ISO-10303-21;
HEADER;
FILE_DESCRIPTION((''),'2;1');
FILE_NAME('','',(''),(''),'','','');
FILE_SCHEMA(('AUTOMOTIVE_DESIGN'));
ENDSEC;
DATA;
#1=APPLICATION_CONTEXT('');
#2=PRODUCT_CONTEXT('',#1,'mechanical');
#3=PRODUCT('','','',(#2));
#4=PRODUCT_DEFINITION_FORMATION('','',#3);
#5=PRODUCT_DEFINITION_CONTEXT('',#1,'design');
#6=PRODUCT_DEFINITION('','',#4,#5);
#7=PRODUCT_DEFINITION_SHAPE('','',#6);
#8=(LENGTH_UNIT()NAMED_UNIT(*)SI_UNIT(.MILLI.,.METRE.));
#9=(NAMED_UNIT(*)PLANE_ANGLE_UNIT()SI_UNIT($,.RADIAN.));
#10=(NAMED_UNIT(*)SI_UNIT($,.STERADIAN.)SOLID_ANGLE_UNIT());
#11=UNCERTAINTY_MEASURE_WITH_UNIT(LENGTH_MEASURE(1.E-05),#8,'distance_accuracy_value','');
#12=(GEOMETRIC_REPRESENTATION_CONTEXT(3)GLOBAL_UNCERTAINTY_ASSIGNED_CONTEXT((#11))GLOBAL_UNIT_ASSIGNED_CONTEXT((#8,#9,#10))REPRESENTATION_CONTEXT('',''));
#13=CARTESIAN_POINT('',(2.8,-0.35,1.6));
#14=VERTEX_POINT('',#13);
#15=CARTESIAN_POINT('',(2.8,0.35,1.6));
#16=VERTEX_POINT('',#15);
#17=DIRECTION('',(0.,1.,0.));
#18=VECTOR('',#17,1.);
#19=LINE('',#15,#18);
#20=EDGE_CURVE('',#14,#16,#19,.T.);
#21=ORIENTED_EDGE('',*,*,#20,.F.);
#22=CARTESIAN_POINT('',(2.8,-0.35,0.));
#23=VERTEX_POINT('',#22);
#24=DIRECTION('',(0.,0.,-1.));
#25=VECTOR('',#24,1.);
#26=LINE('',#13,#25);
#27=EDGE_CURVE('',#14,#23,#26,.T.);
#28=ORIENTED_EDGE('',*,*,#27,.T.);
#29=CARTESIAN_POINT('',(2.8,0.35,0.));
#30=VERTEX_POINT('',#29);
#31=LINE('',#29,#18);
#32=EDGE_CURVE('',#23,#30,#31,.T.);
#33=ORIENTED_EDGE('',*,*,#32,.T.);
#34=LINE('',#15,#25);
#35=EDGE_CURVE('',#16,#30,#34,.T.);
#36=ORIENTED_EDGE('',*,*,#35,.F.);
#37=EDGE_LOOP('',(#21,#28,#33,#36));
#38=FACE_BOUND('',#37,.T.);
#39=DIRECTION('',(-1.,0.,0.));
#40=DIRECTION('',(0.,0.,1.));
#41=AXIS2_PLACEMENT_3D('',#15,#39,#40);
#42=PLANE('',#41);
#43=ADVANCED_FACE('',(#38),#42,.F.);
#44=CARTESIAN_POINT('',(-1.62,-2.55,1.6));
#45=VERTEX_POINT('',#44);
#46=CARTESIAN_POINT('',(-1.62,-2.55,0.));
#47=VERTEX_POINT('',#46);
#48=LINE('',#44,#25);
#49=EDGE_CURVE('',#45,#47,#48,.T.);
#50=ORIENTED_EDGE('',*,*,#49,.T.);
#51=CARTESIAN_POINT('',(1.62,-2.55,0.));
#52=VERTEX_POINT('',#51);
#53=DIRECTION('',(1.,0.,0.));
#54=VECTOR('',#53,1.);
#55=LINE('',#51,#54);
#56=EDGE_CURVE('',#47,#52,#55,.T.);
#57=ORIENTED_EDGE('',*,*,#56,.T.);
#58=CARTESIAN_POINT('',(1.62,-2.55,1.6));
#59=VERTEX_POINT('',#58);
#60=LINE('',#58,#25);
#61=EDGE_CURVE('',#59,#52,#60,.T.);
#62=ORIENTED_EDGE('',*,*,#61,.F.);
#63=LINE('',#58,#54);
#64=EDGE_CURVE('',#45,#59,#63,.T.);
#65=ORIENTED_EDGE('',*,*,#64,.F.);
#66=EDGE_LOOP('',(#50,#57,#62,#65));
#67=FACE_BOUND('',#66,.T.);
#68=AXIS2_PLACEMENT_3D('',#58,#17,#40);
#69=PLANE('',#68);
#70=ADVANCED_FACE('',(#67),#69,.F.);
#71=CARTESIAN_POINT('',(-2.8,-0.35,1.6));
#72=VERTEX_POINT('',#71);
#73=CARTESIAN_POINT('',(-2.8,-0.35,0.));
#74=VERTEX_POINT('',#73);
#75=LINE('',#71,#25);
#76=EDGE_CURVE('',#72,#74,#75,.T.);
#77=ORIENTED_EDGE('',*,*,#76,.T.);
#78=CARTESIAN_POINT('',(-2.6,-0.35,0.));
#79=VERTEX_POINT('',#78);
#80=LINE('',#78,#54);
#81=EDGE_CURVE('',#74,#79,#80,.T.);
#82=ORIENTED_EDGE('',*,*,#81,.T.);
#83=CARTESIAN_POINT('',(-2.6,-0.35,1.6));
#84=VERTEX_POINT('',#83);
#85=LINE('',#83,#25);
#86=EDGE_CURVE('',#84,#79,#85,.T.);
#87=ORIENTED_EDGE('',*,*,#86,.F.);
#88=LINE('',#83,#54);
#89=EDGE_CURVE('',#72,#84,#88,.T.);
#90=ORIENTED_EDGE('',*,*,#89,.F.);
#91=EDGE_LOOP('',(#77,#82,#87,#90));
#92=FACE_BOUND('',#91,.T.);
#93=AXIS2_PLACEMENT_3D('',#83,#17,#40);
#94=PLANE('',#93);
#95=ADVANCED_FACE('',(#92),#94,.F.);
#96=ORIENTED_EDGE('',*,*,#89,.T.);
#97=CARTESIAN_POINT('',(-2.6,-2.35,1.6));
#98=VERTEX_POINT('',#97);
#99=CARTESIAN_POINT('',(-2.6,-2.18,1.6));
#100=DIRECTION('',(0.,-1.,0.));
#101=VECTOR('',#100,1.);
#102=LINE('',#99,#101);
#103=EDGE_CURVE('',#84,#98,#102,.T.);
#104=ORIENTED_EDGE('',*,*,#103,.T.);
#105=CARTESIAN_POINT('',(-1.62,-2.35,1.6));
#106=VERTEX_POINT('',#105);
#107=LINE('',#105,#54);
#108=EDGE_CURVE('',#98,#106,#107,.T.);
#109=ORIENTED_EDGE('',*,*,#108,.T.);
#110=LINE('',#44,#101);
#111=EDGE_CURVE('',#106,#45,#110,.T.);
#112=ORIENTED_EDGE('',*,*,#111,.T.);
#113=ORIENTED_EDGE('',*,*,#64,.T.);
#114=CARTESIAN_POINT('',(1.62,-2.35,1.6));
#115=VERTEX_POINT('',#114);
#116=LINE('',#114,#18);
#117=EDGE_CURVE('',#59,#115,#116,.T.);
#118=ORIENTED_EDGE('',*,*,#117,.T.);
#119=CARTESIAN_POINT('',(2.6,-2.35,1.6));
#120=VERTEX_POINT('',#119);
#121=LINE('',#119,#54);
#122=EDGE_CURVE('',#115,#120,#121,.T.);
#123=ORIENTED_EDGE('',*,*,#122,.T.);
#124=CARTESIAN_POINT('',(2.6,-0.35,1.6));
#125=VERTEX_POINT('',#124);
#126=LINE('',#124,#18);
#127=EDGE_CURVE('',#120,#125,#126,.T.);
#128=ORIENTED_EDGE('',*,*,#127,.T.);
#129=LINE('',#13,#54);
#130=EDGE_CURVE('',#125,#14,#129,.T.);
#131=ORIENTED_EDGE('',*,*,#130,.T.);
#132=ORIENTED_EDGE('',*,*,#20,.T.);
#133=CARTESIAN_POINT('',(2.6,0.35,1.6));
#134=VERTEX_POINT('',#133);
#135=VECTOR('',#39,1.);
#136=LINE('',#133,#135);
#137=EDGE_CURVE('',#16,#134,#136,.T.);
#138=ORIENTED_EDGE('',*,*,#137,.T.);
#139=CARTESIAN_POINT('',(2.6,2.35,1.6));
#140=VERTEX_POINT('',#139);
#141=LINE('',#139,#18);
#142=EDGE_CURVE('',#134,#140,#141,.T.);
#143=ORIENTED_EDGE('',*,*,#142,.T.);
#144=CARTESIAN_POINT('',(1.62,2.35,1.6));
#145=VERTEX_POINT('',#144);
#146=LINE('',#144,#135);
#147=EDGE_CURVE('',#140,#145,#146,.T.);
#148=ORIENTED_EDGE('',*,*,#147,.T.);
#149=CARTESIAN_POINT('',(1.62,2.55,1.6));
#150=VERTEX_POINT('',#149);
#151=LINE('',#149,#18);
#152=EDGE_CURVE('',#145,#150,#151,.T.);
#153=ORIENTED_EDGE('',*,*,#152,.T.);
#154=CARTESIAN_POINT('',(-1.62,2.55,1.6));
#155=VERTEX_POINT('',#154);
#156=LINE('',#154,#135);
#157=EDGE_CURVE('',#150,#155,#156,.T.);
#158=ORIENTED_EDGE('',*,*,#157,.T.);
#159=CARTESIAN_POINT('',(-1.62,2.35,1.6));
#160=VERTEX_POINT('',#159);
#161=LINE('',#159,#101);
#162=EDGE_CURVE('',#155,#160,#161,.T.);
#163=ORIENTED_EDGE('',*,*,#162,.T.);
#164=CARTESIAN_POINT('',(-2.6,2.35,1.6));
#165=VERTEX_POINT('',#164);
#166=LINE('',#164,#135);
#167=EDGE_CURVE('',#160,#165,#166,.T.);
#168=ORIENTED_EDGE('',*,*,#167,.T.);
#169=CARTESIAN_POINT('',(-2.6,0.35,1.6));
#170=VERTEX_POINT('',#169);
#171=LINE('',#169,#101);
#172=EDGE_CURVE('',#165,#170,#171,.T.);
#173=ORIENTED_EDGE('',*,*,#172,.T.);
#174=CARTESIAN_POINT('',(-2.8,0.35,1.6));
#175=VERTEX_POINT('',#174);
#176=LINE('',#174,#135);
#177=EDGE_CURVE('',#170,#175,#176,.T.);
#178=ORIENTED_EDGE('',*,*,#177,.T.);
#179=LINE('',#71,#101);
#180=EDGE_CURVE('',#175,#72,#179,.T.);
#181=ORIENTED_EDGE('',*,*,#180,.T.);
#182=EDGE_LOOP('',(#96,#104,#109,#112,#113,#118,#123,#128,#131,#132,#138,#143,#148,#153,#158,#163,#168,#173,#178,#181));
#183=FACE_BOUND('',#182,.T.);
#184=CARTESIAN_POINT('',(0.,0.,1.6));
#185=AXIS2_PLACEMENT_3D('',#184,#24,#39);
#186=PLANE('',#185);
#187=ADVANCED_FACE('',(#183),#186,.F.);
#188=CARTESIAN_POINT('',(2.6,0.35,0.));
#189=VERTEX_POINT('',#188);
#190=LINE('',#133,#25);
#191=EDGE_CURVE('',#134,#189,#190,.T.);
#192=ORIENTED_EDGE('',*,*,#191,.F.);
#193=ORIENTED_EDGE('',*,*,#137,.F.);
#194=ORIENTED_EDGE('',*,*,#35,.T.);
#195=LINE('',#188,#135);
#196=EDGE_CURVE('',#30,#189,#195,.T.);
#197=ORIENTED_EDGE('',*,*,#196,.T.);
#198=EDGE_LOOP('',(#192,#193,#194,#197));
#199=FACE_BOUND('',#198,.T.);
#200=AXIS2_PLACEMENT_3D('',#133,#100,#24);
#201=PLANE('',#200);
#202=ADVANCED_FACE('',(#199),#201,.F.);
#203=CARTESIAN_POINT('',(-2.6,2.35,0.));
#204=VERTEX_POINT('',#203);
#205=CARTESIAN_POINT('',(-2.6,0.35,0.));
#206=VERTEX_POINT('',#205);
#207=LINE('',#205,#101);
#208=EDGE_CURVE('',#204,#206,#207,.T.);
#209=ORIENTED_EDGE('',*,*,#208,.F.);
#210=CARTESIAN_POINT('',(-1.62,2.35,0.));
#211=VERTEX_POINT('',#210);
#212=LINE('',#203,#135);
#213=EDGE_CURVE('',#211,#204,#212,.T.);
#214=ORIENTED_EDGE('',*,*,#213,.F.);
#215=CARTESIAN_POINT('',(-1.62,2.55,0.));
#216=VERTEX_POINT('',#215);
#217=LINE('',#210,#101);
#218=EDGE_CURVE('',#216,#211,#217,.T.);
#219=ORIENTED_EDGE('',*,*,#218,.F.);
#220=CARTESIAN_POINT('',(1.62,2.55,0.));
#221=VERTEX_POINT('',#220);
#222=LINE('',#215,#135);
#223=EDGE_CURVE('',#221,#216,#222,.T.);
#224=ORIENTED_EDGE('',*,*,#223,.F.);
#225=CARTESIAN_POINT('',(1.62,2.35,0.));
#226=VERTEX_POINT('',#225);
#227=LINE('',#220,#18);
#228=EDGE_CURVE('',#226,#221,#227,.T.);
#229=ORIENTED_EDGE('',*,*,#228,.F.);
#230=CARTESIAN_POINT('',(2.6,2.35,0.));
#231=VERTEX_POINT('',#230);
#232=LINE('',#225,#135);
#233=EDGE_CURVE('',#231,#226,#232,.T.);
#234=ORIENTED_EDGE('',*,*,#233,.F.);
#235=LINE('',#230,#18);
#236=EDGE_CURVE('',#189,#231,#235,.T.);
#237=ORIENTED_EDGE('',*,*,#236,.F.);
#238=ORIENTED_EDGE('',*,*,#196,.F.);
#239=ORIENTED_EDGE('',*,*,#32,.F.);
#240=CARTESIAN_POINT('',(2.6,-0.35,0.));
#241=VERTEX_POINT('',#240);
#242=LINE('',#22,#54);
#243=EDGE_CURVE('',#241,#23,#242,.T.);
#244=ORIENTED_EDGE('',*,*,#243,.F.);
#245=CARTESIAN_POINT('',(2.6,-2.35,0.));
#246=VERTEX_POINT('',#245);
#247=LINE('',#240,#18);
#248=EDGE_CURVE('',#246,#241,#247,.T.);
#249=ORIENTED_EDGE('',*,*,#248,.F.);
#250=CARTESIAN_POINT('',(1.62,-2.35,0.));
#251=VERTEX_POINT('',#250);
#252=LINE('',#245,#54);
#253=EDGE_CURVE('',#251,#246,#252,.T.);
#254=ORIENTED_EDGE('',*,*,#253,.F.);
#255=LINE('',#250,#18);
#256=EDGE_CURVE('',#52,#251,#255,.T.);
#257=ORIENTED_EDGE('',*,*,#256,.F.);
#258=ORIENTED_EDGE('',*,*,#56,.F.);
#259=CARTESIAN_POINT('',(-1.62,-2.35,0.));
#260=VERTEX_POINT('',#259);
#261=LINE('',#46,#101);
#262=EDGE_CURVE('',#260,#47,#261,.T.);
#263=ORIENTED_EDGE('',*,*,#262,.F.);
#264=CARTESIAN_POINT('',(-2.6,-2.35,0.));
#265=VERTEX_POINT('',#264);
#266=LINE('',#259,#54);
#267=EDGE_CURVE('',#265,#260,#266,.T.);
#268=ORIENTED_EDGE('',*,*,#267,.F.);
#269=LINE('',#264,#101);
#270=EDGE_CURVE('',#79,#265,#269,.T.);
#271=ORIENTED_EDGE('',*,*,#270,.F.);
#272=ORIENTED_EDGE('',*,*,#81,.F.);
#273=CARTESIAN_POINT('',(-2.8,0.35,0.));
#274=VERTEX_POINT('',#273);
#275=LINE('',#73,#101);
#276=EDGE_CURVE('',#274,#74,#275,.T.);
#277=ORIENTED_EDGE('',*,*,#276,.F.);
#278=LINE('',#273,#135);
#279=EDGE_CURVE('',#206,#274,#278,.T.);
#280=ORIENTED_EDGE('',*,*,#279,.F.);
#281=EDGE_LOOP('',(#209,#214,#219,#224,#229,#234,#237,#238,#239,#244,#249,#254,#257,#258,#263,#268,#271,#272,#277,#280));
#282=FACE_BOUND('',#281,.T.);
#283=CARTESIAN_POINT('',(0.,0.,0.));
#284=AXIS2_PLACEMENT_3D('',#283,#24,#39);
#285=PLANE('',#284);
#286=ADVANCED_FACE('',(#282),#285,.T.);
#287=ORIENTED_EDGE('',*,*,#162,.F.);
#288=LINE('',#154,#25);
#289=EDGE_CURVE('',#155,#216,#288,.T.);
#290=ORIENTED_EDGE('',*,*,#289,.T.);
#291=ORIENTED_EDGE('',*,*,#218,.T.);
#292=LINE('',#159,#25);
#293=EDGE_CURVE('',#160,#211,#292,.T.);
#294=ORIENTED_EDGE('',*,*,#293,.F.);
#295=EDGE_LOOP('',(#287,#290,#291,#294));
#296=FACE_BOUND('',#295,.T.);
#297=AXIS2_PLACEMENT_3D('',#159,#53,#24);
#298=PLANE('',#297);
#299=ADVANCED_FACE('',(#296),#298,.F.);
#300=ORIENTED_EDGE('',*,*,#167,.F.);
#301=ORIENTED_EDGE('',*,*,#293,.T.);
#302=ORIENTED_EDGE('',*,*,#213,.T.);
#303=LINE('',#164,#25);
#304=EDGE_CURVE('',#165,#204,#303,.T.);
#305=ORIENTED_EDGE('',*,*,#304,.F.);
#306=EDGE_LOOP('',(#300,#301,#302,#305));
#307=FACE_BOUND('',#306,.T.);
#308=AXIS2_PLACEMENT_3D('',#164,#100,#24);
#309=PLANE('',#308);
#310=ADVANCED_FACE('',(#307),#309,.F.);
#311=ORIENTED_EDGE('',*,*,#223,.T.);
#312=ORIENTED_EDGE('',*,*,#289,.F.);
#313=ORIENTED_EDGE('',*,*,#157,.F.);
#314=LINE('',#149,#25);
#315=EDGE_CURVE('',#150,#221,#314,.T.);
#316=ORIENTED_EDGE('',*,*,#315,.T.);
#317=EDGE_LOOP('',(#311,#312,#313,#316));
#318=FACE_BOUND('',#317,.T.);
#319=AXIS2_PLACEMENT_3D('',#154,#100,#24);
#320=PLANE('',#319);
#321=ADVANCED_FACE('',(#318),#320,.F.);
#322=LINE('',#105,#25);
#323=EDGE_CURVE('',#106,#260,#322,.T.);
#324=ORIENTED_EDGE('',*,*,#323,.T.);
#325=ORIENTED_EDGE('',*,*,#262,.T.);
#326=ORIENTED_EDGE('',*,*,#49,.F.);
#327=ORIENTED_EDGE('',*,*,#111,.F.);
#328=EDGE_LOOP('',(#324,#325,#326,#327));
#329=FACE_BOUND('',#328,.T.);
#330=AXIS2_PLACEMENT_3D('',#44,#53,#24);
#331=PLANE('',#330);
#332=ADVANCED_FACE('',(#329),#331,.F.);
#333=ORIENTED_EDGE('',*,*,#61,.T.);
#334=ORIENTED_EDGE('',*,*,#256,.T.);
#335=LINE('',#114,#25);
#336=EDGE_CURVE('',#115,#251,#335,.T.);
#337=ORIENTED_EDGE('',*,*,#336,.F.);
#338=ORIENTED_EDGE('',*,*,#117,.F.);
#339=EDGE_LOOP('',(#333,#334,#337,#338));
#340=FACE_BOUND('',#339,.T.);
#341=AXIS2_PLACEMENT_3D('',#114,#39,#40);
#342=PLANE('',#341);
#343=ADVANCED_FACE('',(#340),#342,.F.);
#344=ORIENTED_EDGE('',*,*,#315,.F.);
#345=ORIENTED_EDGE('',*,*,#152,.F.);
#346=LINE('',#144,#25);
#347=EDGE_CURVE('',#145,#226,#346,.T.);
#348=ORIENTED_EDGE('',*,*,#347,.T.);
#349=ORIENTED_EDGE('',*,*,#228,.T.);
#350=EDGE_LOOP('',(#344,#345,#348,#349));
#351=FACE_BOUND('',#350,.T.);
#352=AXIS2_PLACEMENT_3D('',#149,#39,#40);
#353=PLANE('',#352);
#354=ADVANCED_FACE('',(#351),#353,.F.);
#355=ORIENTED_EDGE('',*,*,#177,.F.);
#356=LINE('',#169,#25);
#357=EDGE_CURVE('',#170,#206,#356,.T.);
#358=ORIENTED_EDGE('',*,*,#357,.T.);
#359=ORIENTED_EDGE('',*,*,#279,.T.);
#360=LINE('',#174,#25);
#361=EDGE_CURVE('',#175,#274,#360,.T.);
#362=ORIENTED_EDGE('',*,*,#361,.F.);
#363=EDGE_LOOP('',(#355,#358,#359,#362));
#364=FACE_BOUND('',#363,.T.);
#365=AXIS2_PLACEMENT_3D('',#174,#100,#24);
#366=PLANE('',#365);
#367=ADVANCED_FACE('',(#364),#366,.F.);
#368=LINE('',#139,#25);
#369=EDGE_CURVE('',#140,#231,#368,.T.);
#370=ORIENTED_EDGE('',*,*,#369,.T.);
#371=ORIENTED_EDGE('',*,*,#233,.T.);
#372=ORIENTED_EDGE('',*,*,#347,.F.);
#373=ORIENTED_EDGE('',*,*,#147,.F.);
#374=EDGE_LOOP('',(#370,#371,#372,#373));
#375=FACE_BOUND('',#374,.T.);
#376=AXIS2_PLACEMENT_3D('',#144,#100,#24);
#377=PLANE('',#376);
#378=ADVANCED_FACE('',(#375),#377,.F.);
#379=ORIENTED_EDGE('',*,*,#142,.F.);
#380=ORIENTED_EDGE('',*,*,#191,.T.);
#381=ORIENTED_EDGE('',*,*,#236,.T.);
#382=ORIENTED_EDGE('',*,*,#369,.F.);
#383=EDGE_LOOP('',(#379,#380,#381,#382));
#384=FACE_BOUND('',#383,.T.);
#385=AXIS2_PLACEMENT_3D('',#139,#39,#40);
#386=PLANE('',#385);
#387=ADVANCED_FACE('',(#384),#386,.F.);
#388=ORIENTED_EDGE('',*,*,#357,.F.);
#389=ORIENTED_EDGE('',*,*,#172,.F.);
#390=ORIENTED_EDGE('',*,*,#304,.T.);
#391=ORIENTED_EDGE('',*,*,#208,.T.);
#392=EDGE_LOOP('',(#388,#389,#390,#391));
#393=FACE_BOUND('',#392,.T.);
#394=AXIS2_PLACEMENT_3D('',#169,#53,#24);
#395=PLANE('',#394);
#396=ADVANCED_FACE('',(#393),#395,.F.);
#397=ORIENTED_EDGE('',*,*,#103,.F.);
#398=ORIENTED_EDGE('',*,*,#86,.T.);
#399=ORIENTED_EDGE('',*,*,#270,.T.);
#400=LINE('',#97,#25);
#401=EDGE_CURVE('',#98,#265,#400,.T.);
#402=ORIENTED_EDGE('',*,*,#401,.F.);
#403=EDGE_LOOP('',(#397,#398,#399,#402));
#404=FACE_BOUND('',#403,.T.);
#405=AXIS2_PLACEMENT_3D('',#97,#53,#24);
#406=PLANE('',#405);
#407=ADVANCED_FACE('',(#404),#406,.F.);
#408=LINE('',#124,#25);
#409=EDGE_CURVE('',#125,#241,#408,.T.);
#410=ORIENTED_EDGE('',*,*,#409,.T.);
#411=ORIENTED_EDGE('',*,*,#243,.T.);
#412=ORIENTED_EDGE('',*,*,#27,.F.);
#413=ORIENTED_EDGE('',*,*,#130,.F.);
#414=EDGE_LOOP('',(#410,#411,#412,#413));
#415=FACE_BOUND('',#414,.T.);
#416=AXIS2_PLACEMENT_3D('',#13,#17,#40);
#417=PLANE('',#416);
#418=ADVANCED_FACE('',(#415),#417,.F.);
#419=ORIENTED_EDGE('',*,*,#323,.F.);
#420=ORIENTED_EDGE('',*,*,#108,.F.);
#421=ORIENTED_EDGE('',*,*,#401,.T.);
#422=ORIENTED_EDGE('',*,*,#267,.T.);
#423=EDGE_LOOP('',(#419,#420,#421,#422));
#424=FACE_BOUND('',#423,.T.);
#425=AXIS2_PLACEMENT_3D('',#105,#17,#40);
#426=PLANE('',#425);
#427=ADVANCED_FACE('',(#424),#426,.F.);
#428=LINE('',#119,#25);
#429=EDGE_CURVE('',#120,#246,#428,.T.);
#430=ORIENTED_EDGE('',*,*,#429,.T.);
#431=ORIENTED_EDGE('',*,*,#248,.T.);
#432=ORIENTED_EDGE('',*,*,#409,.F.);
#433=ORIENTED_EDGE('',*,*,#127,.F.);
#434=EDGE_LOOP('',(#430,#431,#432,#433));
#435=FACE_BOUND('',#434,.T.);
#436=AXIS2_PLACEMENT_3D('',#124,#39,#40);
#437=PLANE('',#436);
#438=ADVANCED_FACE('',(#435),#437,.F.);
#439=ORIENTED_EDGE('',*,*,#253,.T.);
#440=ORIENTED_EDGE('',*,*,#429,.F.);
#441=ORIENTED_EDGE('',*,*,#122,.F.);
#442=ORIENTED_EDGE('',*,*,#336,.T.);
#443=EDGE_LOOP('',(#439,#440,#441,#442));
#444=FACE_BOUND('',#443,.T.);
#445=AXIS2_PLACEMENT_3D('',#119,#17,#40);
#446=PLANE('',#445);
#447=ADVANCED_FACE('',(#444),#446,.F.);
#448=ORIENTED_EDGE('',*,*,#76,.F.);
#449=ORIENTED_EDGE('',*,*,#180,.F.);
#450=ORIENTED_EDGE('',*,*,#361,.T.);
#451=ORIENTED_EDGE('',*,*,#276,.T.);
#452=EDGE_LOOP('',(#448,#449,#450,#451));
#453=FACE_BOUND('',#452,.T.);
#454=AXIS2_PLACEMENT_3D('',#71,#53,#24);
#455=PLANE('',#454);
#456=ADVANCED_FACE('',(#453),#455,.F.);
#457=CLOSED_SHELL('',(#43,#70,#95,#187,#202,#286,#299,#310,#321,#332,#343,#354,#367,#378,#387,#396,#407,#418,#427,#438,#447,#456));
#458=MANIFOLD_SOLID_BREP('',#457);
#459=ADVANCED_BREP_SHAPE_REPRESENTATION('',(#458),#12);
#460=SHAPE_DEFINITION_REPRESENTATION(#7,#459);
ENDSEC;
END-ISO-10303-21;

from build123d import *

# Parameters (mm, degrees)
COMPONENT_OUTLINE_DEPTH = 1.6


with BuildPart() as part:
    # 草图1 → Component_Outline (new body)
    with BuildSketch(Plane.XY):
        Polygon((-1.62, -2.55), (-1.62, -2.35), (-2.6, -2.35), (-2.6, -2.18), (-2.6, -0.35), (-2.8, -0.35), (-2.8, 0.35), (-2.6, 0.35), (-2.6, 2.35), (-1.62, 2.35), (-1.62, 2.55), (1.62, 2.55), (1.62, 2.35), (2.6, 2.35), (2.6, 0.35), (2.8, 0.35), (2.8, -0.35), (2.6, -0.35), (2.6, -2.35), (1.62, -2.35), (1.62, -2.55), align=None)
    extrude(amount=COMPONENT_OUTLINE_DEPTH)


solid = part.part
